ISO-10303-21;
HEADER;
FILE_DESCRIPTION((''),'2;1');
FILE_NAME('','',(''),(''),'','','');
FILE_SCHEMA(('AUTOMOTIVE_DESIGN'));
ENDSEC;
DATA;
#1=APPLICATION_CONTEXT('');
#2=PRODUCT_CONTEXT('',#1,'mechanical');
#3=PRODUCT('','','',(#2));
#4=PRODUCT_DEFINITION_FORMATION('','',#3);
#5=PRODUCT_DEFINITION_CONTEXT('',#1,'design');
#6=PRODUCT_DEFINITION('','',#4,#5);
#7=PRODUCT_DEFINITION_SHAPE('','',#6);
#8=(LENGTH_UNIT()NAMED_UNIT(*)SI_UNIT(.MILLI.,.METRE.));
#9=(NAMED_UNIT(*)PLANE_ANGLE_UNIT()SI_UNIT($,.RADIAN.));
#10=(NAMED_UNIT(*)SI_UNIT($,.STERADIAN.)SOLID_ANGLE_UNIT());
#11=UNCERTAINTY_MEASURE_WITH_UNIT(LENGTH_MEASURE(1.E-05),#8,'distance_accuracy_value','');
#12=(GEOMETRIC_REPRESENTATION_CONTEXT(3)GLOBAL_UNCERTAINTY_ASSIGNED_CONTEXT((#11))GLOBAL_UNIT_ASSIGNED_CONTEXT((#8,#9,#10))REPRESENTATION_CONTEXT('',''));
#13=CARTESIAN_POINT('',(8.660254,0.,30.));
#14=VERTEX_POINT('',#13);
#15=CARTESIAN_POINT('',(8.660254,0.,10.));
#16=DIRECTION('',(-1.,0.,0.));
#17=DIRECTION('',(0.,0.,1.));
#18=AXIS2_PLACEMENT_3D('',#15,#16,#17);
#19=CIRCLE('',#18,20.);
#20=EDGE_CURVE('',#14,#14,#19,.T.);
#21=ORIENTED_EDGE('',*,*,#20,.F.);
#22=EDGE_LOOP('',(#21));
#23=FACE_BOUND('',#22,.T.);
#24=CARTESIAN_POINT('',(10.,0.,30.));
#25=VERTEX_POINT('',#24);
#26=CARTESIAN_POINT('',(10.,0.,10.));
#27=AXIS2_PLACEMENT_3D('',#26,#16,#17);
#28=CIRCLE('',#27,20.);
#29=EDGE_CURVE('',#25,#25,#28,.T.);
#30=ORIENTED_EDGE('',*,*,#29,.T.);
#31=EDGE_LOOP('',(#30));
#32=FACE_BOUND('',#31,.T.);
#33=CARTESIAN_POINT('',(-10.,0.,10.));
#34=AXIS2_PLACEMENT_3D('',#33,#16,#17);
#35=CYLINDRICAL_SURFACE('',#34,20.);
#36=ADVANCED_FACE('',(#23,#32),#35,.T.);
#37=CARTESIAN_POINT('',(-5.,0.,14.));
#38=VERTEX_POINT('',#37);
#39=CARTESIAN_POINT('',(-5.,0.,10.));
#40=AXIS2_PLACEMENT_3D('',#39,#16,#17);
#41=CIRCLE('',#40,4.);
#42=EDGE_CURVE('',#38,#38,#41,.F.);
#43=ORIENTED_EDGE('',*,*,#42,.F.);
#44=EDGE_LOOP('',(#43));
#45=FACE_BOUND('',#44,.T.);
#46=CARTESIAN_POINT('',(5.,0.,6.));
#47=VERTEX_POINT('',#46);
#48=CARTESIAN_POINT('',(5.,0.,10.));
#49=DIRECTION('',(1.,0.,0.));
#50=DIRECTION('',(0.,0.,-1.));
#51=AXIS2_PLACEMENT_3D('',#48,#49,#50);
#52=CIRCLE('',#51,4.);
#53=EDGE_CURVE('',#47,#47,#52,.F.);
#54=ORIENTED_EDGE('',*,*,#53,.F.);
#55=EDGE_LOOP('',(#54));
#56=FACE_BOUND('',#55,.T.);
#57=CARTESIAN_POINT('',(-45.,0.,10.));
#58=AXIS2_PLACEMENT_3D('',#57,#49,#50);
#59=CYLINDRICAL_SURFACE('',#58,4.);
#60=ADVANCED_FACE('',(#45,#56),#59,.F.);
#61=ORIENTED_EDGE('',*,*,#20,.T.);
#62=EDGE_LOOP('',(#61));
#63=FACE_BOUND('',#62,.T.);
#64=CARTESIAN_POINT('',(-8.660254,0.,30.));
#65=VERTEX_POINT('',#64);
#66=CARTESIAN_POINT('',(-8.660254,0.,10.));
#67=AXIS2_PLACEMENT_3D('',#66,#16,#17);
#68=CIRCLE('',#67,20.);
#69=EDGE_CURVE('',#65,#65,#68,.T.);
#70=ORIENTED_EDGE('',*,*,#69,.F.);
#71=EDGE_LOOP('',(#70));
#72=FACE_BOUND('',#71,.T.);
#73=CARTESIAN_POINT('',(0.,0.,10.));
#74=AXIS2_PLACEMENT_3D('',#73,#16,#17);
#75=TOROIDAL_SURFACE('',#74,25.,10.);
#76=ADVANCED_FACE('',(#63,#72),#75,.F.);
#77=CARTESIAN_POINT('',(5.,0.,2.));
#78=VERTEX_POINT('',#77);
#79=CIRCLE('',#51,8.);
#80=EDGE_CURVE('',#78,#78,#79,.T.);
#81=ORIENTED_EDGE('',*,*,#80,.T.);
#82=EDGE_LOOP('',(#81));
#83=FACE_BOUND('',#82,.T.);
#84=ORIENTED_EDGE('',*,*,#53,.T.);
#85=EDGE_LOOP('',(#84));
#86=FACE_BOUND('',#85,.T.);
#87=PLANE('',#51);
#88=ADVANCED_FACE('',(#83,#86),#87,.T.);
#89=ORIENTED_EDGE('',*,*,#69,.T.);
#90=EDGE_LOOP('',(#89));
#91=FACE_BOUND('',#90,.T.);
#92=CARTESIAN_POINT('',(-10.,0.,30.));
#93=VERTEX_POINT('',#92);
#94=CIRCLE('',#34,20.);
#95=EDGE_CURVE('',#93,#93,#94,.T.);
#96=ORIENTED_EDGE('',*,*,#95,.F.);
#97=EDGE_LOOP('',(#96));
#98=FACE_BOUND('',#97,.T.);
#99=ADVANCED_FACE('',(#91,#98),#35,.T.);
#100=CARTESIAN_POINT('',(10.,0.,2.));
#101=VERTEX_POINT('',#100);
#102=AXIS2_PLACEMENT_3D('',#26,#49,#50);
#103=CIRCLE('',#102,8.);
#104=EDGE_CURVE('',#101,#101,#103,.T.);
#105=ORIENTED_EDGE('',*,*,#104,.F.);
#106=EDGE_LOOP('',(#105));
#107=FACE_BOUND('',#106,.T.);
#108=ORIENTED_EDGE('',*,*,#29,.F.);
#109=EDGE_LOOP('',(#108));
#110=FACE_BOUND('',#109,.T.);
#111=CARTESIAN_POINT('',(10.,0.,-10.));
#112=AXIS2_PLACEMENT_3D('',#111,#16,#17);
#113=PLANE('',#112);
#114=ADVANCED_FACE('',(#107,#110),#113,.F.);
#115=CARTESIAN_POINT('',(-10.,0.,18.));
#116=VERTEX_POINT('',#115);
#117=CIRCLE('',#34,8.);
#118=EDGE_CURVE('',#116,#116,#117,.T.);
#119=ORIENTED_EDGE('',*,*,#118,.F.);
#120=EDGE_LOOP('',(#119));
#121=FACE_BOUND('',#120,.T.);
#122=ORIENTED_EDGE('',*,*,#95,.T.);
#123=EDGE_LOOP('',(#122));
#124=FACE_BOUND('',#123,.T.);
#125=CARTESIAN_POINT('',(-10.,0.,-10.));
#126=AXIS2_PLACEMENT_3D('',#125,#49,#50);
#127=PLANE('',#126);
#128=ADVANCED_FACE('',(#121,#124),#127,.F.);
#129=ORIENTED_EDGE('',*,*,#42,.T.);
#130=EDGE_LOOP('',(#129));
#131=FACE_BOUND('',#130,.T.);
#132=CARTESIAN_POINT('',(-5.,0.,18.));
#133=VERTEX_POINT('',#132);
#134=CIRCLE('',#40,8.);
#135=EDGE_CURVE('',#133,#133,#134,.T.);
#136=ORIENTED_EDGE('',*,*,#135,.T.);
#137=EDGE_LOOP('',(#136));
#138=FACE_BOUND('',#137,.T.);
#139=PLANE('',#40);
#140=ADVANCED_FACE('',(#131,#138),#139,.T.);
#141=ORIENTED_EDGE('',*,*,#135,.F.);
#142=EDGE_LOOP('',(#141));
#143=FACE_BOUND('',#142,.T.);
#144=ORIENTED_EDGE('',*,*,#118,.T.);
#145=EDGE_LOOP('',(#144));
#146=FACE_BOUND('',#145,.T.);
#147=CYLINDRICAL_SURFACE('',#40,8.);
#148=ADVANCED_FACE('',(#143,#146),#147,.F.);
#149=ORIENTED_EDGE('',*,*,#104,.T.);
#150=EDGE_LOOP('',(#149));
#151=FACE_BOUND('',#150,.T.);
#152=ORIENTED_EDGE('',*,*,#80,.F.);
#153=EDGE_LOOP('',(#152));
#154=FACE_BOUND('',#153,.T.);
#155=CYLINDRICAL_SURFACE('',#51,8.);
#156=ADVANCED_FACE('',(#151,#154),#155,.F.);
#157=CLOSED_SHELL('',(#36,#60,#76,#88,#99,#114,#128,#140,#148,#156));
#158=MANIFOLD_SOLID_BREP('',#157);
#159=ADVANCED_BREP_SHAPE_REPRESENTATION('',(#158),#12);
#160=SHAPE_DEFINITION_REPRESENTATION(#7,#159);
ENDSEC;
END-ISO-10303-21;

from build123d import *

# Parameters (mm, degrees)
SKETCH_2_R          = 4
CUT_EXTRUDE_1_DEPTH = 55
SKETCH_3_R          = 8
CUT_EXTRUDE_2_DEPTH = 5
CUT_EXTRUDE_START   = -5
SKETCH_4_R          = 8
CUT_EXTRUDE_3_DEPTH = 5


with BuildPart() as part:
    # 草图1 → 旋转1 (revolve)
    with BuildSketch(Plane(origin=(0, 0, 0), x_dir=(1, 0, 0), z_dir=(0, 1, 0)), mode=Mode.PRIVATE) as revolve_1_sk:
        with BuildLine():
            Line((-10, 10), (-10, -10))
            Line((-10, -10), (10, -10))
            Line((10, -10), (10, 10))
            Line((10, 10), (8.660254038, 10))
            ThreePointArc((8.660254038, 10), (0, 5), (-8.660254038, 10))
            Line((-8.660254038, 10), (-10, 10))
        make_face()
    revolve(revolve_1_sk.sketch.rotate(Axis((-10, 0, 10), (1, 0, 0)), 180), axis=Axis((-10, 0, 10), (1, 0, 0)))

    # 草图2 → 切除-拉伸1 (cut)
    with BuildSketch(Plane(origin=(10, 0, 0), x_dir=(0, 0, -1), z_dir=(1, 0, 0))):
        with Locations((-10, 0)):
            Circle(SKETCH_2_R)
    extrude(amount=-CUT_EXTRUDE_1_DEPTH, mode=Mode.SUBTRACT)

    # 草图3 → 切除-拉伸2 (cut)
    with BuildSketch(Plane(origin=(10, 0, 0), x_dir=(0, 0, -1), z_dir=(1, 0, 0))):
        with Locations((-10, 0)):
            Circle(SKETCH_3_R)
    extrude(amount=-CUT_EXTRUDE_2_DEPTH, mode=Mode.SUBTRACT)

    # 草图4 → 切除-拉伸3 (cut)
    with BuildSketch(Plane.ZY.offset(10).offset(CUT_EXTRUDE_START)):
        with Locations(Location((10, 0, 0), (0, 0, 180))):
            Circle(SKETCH_4_R)
    extrude(amount=CUT_EXTRUDE_3_DEPTH, mode=Mode.SUBTRACT)


solid = part.part
